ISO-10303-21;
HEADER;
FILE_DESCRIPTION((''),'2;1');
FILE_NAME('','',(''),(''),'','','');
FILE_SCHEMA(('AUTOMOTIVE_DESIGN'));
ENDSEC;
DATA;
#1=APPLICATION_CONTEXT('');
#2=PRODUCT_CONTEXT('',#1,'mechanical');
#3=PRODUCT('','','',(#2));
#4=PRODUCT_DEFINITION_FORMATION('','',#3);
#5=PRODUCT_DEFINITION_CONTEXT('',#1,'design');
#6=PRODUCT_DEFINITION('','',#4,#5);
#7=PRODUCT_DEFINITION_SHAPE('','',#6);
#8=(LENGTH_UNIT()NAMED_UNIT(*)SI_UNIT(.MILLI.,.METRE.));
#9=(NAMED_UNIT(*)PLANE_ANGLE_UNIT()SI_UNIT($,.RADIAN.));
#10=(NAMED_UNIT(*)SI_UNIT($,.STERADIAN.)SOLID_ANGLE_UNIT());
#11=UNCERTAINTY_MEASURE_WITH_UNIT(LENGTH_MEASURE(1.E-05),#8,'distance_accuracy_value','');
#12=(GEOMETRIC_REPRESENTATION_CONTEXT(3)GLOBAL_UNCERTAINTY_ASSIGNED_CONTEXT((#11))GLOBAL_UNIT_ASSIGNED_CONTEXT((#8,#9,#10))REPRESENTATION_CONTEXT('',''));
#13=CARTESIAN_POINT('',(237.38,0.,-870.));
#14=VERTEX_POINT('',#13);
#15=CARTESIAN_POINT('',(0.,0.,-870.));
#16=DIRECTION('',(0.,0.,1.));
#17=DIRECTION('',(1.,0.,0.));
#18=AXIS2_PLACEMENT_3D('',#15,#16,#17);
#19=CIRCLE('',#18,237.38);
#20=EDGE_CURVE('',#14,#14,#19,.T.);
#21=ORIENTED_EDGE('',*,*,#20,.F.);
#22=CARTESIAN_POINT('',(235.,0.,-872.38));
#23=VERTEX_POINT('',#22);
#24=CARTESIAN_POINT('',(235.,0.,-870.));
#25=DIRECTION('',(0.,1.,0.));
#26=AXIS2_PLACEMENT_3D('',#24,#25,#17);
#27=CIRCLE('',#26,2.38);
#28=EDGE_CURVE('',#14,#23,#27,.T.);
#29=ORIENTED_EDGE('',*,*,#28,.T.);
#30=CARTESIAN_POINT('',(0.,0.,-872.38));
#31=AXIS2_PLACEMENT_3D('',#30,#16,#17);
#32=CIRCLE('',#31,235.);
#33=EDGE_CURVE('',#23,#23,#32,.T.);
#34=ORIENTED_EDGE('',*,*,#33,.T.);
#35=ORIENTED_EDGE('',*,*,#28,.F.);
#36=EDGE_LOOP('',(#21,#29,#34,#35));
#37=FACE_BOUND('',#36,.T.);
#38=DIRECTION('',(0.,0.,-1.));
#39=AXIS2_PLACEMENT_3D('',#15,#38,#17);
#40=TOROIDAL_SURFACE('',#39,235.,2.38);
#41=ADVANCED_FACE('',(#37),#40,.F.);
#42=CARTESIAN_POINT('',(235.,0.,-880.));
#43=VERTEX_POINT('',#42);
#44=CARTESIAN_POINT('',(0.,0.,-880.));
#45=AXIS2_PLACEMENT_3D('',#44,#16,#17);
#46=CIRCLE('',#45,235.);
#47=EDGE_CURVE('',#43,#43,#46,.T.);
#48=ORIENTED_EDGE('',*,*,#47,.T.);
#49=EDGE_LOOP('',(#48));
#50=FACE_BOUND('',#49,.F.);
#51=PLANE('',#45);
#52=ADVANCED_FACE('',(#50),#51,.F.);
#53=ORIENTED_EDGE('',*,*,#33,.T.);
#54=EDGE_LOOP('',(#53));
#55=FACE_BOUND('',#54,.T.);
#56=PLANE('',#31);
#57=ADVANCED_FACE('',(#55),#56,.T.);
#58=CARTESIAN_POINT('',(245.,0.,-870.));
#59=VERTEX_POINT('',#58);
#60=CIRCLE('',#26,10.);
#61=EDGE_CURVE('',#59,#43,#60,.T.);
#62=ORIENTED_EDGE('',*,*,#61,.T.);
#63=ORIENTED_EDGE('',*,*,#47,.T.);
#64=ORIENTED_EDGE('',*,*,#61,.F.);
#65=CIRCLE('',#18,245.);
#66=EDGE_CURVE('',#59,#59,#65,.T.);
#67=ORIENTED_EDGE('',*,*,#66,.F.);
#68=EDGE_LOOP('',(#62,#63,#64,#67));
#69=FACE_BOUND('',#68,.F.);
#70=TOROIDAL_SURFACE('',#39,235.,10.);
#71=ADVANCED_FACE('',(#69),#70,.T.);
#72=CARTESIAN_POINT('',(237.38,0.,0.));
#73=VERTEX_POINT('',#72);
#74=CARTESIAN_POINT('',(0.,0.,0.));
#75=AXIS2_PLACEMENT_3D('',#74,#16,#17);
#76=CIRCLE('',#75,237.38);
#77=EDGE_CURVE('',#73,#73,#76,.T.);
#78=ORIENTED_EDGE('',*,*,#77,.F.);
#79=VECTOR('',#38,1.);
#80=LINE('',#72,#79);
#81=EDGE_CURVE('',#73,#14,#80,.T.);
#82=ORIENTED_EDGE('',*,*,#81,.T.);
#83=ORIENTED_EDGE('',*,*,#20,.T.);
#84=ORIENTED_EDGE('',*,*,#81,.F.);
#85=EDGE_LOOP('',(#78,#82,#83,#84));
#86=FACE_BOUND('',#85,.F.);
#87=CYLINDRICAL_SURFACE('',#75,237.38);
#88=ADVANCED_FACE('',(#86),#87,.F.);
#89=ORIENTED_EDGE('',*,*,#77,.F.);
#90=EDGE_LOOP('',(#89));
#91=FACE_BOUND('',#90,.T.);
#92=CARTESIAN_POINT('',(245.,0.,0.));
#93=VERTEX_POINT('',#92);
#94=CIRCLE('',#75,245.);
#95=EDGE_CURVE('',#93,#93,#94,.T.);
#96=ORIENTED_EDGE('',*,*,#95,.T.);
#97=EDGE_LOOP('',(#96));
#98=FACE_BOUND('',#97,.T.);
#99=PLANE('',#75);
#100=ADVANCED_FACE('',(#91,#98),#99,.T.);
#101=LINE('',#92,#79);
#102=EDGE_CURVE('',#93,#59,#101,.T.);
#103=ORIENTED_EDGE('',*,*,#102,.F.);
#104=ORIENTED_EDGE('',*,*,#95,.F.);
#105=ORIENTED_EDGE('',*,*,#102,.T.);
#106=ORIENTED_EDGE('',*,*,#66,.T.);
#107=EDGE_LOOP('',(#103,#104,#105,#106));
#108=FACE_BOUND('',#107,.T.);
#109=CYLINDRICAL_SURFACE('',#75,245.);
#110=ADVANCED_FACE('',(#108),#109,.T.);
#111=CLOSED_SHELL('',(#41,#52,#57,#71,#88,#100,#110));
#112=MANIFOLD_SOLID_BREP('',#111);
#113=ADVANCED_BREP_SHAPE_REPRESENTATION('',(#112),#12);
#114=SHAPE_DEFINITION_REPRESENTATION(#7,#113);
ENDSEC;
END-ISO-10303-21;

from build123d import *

# Parameters (mm, degrees)
F0_R     = 245
F1_DEPTH = 880
F2_R     = 10
F3_T     = -7.62


with BuildPart() as f1:
    # F0 (on Top) → F1 (new body)
    with BuildSketch(Plane.XY):
        Circle(F0_R)
    extrude(amount=-F1_DEPTH)

    # F2
    f2_edges = [f1.edges().sort_by_distance(p)[0] for p in [
        (-245, 0, -880),
    ]]
    fillet(f2_edges, radius=F2_R)

    # F3
    f3_openings = [f1.faces().sort_by_distance(p)[0] for p in [
        (0, 0, 0),
    ]]
    offset(amount=F3_T, openings=f3_openings)


solid = f1.part
